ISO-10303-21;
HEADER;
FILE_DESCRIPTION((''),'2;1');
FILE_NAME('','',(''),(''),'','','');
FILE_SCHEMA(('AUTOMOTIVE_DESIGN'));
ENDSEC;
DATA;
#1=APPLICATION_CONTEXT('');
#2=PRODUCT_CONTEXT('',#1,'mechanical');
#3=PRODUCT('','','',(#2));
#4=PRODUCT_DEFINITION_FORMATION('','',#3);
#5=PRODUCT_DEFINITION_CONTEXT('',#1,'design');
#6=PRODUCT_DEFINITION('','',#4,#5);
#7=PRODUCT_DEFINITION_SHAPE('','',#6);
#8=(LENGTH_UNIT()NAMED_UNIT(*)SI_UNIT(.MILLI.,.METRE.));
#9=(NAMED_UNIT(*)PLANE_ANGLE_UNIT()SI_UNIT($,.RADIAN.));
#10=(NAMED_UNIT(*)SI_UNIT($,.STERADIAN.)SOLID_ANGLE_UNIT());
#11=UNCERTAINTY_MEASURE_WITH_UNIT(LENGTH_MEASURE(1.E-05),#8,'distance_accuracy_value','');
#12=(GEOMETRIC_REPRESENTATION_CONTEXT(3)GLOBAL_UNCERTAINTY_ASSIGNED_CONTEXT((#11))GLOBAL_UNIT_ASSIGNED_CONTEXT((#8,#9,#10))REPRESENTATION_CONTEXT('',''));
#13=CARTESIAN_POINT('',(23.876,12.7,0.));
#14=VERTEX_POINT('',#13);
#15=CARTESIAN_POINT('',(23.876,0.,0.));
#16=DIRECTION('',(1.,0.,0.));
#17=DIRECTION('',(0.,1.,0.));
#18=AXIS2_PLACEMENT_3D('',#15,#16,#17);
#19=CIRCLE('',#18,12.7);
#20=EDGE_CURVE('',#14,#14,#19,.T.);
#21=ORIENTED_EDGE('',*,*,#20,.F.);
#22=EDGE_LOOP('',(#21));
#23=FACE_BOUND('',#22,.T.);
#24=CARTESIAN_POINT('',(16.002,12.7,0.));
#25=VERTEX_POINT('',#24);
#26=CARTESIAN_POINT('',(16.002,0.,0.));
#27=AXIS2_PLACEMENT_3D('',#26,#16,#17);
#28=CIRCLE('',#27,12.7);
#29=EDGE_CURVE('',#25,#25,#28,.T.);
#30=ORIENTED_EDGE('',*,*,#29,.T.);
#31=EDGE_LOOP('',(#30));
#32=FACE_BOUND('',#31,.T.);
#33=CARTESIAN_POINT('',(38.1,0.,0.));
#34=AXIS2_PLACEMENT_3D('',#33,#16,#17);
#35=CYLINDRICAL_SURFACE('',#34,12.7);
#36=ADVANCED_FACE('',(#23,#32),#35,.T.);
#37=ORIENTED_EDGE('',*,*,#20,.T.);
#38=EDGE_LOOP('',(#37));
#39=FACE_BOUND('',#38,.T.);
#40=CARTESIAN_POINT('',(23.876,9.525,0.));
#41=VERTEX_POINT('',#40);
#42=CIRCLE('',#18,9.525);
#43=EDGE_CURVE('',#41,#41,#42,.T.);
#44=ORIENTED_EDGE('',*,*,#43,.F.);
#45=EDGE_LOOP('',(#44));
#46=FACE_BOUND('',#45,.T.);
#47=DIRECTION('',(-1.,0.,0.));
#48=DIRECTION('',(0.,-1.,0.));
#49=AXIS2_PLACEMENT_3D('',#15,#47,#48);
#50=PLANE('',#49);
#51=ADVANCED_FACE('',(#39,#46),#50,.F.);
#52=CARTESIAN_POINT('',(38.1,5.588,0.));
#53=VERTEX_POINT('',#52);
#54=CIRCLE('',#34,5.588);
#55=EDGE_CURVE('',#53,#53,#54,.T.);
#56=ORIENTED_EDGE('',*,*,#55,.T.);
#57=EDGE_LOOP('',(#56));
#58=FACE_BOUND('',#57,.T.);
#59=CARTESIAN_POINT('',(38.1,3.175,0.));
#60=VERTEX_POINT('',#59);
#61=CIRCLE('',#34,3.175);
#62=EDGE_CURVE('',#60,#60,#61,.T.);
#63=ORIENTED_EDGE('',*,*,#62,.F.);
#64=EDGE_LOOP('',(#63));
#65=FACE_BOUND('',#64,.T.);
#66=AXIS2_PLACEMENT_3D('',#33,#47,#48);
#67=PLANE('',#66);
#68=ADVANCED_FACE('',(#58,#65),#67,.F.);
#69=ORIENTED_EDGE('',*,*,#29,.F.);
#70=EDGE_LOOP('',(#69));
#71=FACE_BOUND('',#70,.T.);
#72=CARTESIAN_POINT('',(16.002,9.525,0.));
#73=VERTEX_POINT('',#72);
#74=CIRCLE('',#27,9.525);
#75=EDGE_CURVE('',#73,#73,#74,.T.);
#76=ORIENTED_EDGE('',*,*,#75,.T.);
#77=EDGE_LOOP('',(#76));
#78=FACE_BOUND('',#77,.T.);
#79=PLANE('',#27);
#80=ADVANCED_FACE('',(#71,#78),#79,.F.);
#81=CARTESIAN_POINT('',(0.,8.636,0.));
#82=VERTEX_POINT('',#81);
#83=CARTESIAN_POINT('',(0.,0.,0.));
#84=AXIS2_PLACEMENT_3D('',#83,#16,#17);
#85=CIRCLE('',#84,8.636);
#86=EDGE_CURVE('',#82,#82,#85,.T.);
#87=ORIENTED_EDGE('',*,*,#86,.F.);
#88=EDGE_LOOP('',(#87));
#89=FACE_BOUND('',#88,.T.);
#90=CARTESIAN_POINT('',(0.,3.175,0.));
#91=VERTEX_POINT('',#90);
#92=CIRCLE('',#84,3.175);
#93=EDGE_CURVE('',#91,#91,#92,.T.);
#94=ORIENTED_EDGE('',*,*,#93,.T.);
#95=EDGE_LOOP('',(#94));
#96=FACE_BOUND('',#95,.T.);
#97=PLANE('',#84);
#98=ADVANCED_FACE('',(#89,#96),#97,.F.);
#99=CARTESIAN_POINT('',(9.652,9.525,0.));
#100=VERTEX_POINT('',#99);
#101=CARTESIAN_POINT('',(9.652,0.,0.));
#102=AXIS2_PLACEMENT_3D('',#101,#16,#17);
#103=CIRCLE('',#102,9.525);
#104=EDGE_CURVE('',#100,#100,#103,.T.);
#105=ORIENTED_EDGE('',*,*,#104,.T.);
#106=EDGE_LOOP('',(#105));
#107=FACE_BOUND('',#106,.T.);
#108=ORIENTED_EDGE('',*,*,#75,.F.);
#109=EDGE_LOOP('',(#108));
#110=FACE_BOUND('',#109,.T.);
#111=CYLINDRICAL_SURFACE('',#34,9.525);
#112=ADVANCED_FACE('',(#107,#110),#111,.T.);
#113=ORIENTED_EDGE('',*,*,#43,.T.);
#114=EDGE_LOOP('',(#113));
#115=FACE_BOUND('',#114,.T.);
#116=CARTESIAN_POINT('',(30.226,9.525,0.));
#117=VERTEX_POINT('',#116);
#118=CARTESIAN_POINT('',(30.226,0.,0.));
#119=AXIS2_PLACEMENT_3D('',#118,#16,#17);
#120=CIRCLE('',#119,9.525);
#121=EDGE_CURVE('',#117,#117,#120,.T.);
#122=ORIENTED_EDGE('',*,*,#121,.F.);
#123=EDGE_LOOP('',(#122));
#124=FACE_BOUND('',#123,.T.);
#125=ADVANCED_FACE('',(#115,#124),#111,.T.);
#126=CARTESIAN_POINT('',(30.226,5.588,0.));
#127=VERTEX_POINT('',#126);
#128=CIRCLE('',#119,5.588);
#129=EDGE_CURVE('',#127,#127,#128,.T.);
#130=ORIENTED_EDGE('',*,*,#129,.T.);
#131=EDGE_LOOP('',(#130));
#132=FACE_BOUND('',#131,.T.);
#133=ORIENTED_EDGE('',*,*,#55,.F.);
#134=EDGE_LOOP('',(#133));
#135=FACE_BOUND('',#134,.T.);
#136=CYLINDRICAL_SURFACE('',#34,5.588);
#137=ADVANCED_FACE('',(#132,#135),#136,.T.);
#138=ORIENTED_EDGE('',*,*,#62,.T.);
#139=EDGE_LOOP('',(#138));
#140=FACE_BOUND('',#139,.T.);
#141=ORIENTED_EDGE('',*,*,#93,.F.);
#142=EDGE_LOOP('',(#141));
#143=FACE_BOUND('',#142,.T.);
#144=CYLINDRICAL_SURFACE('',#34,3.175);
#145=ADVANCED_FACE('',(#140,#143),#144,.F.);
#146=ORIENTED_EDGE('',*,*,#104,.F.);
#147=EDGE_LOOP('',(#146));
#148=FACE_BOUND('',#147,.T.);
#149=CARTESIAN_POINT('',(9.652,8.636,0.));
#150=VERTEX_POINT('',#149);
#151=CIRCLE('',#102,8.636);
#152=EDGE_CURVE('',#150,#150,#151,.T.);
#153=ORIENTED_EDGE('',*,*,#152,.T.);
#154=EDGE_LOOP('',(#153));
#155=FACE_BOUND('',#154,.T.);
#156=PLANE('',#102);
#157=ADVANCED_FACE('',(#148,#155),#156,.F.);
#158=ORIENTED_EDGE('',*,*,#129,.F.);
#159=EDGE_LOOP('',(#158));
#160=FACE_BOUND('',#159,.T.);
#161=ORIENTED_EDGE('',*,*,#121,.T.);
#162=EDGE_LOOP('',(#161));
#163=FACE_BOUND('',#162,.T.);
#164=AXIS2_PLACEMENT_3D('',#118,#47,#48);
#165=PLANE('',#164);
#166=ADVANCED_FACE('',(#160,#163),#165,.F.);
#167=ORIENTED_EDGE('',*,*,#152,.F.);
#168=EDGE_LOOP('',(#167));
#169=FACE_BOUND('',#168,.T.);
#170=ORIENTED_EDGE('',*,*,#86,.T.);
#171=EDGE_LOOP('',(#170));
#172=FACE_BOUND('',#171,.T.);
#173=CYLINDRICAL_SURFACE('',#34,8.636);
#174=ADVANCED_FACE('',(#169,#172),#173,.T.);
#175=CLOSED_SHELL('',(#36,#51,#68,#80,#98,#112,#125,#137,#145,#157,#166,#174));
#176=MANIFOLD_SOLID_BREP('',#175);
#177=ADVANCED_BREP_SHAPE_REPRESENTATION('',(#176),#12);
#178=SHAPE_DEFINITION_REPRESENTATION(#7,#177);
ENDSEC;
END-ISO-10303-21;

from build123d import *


with BuildPart() as part:
    # Sketch1 → Revolve1 (revolve)
    with BuildSketch(Plane.XY):
        Polygon((0, 8.636), (0, 3.175), (38.1, 3.175), (38.1, 5.588), (30.226, 5.588), (30.226, 9.525), (23.876, 9.525), (23.876, 12.7), (16.002, 12.7), (16.002, 9.525), (9.652, 9.525), (9.652, 8.636), align=None)
    revolve(axis=Axis((38.1, 0, 0), (-1, 0, 0)))


solid = part.part
